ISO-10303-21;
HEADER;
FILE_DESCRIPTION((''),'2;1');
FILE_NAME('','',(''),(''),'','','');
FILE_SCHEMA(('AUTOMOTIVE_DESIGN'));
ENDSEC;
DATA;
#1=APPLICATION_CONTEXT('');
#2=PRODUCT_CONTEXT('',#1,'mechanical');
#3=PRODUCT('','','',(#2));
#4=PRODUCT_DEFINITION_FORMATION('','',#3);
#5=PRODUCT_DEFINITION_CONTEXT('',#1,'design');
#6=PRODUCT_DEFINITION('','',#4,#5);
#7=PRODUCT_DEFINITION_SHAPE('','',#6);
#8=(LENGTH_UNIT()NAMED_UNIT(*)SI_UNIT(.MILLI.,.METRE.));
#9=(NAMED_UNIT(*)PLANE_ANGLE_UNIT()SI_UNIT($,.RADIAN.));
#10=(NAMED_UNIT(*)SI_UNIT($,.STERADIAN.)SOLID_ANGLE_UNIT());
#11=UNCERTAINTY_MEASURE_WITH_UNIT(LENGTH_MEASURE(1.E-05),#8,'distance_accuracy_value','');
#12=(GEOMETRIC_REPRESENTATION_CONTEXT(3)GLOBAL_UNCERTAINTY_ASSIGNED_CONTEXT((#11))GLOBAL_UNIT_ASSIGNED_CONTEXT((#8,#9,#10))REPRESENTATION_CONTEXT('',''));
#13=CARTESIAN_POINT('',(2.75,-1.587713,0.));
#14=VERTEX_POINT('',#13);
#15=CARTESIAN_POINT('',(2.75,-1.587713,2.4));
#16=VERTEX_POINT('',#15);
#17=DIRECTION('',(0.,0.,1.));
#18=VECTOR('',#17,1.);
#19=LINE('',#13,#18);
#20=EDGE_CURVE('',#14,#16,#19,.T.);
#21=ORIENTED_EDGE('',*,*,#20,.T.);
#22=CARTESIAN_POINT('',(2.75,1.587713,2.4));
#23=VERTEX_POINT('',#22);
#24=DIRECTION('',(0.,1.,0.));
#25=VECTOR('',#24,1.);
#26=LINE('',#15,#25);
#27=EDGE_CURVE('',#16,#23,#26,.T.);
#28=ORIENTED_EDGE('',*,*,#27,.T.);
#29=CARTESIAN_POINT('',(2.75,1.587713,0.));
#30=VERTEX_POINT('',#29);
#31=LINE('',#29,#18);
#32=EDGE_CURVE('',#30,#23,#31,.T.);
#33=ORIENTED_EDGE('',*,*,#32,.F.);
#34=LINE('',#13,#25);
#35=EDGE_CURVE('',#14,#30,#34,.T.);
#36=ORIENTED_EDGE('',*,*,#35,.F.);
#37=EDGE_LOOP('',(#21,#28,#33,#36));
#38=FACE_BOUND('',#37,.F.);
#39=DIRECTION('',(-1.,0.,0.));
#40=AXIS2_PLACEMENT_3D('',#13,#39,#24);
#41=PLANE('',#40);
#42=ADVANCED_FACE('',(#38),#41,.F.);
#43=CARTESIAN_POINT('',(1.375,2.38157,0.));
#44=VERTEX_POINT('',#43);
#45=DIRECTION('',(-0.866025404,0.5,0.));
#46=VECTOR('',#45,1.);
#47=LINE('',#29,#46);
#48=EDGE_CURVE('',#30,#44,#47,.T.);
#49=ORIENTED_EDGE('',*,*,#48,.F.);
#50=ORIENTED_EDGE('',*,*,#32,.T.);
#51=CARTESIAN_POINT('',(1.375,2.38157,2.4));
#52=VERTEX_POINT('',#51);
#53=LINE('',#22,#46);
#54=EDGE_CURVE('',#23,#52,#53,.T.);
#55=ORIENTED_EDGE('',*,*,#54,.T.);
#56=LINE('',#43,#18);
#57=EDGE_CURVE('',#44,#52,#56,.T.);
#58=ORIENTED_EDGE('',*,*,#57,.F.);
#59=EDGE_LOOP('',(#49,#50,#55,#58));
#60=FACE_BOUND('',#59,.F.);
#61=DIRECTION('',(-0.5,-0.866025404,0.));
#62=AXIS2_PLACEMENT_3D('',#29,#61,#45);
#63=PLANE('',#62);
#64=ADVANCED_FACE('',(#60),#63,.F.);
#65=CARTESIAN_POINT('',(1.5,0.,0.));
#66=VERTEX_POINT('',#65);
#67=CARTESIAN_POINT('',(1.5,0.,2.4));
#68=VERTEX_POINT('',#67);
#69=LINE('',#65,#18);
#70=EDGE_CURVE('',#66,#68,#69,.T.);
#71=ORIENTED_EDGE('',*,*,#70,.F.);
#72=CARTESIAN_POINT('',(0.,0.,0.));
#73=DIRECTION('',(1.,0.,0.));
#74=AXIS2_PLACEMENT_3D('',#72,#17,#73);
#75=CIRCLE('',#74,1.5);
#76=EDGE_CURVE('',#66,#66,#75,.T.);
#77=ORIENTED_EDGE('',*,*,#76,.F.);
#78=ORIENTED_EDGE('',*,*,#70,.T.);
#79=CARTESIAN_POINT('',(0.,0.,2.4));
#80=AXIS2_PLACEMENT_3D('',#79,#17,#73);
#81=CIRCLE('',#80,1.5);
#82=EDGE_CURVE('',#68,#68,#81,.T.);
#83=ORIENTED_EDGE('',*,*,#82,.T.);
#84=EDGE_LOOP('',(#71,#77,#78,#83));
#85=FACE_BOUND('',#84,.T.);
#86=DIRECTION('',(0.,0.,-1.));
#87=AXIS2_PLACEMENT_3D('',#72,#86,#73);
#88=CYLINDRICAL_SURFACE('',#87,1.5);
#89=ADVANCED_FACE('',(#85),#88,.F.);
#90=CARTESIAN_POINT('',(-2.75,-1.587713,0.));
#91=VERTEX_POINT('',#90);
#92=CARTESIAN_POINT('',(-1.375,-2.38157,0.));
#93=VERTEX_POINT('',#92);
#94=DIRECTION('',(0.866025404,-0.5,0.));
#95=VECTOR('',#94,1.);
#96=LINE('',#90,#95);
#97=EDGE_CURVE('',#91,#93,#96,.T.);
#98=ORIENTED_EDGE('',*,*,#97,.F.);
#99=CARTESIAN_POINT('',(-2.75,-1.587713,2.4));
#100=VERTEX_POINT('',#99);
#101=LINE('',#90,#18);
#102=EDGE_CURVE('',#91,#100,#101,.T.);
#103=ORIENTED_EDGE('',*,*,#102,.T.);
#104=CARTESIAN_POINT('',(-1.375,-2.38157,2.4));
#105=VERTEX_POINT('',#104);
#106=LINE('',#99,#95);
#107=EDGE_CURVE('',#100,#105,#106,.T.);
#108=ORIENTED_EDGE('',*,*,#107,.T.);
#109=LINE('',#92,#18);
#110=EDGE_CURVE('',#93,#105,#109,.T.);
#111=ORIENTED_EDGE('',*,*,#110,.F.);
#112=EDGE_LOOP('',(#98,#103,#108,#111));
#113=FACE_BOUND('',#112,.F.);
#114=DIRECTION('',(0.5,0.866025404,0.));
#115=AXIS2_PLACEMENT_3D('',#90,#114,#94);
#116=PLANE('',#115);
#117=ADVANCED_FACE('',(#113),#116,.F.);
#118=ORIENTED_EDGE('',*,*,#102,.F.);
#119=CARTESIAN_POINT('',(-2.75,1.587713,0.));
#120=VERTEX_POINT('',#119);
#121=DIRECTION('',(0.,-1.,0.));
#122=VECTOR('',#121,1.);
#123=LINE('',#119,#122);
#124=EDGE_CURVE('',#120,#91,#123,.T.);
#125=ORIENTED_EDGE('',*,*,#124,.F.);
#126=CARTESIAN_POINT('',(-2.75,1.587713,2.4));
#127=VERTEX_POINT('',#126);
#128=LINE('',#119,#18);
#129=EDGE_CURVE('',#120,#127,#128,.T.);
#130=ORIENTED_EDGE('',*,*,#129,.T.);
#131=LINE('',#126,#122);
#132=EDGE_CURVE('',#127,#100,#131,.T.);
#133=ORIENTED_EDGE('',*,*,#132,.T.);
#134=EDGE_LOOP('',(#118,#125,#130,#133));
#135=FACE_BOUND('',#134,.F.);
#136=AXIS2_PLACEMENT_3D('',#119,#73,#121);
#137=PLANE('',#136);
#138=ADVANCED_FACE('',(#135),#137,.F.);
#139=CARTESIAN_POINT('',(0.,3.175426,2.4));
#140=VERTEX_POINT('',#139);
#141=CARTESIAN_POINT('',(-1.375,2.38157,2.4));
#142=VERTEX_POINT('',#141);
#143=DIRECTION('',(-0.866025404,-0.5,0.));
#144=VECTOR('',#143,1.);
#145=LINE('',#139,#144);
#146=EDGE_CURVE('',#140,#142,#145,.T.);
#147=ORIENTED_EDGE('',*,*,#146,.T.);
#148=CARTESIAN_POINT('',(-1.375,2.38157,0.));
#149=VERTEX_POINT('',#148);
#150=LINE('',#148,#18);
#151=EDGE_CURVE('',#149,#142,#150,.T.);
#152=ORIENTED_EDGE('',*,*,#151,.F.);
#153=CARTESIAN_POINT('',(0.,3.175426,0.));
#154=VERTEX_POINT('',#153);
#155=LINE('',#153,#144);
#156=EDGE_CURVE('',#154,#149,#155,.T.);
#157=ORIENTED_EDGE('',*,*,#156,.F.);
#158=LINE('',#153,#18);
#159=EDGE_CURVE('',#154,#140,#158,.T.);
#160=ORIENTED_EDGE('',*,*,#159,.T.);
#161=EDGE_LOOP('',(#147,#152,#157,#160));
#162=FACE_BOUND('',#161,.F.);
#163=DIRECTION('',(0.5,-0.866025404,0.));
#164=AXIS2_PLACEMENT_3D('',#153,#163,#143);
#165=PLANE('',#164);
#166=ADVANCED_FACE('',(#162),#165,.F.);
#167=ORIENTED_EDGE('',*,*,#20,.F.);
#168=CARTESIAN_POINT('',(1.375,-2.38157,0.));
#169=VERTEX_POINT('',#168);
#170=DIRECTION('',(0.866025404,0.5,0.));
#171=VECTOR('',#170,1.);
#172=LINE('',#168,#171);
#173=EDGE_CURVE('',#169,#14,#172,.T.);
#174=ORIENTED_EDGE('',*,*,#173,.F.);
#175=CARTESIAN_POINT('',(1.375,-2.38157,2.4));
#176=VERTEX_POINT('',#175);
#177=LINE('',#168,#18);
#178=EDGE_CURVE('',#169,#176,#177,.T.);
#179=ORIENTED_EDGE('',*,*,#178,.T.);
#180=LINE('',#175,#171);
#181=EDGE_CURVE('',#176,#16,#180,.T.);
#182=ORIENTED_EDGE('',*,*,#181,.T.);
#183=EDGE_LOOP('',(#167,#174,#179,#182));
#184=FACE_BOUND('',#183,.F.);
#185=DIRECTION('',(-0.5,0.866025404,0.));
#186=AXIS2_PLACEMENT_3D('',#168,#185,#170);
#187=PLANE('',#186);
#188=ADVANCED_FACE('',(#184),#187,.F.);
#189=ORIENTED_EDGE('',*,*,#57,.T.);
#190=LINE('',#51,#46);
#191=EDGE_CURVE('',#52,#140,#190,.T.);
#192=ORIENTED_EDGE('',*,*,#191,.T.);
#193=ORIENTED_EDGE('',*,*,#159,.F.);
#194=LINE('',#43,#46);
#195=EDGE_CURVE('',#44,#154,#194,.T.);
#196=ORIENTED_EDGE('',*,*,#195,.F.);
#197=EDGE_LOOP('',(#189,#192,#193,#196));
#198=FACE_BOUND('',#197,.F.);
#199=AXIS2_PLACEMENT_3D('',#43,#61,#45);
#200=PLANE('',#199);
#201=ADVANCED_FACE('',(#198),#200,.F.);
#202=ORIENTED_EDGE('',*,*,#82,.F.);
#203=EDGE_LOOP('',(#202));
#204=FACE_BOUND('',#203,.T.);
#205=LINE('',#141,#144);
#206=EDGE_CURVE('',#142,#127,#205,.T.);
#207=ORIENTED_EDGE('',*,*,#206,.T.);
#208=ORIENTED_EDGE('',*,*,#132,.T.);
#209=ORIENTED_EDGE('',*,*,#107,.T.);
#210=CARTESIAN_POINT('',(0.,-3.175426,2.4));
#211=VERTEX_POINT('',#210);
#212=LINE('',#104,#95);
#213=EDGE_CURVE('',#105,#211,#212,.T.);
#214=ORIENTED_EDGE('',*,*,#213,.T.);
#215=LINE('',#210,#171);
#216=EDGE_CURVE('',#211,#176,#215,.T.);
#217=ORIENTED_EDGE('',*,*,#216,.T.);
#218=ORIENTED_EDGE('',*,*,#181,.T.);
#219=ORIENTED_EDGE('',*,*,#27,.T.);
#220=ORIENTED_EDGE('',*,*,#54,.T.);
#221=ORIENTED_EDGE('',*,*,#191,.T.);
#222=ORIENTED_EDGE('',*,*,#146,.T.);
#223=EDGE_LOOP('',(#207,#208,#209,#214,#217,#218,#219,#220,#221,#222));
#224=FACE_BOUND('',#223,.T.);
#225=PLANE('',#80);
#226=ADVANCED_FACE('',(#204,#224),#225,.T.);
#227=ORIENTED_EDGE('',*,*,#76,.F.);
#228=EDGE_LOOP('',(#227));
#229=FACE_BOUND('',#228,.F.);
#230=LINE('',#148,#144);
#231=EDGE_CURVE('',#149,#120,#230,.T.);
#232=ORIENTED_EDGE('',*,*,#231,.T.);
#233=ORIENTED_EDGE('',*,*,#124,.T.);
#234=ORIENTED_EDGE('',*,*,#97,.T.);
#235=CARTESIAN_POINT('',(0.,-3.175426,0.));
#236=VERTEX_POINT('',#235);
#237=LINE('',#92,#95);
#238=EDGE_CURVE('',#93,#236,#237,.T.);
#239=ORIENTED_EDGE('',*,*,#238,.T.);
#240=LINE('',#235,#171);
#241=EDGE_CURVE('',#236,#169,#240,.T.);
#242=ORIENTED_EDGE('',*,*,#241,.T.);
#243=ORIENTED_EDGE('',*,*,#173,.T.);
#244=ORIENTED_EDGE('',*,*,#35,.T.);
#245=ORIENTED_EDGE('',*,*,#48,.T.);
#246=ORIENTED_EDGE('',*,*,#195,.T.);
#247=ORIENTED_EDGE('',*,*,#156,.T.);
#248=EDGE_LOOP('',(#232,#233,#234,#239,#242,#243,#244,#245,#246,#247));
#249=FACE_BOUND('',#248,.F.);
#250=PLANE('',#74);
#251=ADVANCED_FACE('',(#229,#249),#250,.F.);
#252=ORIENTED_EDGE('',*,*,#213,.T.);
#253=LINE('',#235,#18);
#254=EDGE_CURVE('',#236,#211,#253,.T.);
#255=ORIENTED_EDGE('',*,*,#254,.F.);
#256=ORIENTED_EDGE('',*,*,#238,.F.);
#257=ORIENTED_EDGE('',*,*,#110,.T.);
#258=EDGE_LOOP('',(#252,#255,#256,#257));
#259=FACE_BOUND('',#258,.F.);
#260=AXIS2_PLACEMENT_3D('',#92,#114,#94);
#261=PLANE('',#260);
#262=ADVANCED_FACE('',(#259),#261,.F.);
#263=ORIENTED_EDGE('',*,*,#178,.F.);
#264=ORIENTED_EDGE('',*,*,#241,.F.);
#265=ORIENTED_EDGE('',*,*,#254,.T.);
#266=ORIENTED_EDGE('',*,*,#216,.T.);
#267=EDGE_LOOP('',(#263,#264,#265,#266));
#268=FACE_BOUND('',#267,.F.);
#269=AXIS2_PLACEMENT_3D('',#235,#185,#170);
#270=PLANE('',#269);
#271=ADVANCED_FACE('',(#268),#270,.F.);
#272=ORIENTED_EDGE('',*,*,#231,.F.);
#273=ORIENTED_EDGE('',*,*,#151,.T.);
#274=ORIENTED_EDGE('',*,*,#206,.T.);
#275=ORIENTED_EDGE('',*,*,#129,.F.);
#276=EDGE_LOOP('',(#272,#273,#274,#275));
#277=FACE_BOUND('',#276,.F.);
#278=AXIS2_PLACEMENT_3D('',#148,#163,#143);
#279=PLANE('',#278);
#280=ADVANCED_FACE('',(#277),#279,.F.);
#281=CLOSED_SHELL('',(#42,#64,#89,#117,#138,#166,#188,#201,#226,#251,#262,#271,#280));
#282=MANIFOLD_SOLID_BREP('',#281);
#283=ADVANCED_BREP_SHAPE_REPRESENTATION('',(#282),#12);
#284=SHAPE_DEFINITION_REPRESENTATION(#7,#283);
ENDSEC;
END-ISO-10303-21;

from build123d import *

# Parameters (mm, degrees)
F0_R     = 1.5
F1_DEPTH = 2.4


with BuildPart() as f1:
    # F0 (on Top) → F1 (new body)
    with BuildSketch(Plane.XY):
        with BuildLine():
            ThreePointArc((1.375000029, -2.3815698437), (2.3815698688, -1.3749999855), (2.75, 0))
            ThreePointArc((2.75, 0), (2.3815698469, 1.3750000233), (1.3749999534, 2.3815698873))
            ThreePointArc((1.3749999534, 2.3815698873), (-7.33e-08, 2.75), (-1.3750000803, 2.381569814))
            ThreePointArc((-1.3750000803, 2.381569814), (-2.3815698836, 1.3749999598), (-2.75, 0))
            ThreePointArc((-2.75, 0), (-2.3815698539, -1.3750000112), (-1.3749999776, -2.3815698733))
            ThreePointArc((-1.3749999776, -2.3815698733), (2.97e-08, -2.75), (1.375000029, -2.3815698437))
        make_face()
        Circle(F0_R, mode=Mode.SUBTRACT)
        with BuildLine():
            Line((2.75, -1.5877132403), (2.75, 0))
            ThreePointArc((2.75, 0), (2.3815698688, -1.3749999855), (1.375000029, -2.3815698437))
            Line((1.375000029, -2.3815698437), (2.75, -1.5877132403))
        make_face()
        with BuildLine():
            ThreePointArc((1.3749999534, 2.3815698873), (2.3815698469, 1.3750000233), (2.75, 0))
            Line((2.75, 0), (2.75, 1.5877132403))
            Line((2.75, 1.5877132403), (1.3749999534, 2.3815698873))
        make_face()
        with BuildLine():
            ThreePointArc((-1.3750000803, 2.381569814), (-7.33e-08, 2.75), (1.3749999534, 2.3815698873))
            Line((1.3749999534, 2.3815698873), (0, 3.1754264805))
            Line((0, 3.1754264805), (-1.3750000803, 2.381569814))
        make_face()
        with BuildLine():
            Line((0, -3.1754264805), (1.375000029, -2.3815698437))
            ThreePointArc((1.375000029, -2.3815698437), (2.97e-08, -2.75), (-1.3749999776, -2.3815698733))
            Line((-1.3749999776, -2.3815698733), (0, -3.1754264805))
        make_face()
        with BuildLine():
            ThreePointArc((-2.75, 0), (-2.3815698836, 1.3749999598), (-1.3750000803, 2.381569814))
            Line((-1.3750000803, 2.381569814), (-2.75, 1.5877132403))
            Line((-2.75, 1.5877132403), (-2.75, 0))
        make_face()
        with BuildLine():
            Line((-2.75, -1.5877132403), (-1.3749999776, -2.3815698733))
            ThreePointArc((-1.3749999776, -2.3815698733), (-2.3815698539, -1.3750000112), (-2.75, 0))
            Line((-2.75, 0), (-2.75, -1.5877132403))
        make_face()
    extrude(amount=F1_DEPTH)


solid = f1.part
